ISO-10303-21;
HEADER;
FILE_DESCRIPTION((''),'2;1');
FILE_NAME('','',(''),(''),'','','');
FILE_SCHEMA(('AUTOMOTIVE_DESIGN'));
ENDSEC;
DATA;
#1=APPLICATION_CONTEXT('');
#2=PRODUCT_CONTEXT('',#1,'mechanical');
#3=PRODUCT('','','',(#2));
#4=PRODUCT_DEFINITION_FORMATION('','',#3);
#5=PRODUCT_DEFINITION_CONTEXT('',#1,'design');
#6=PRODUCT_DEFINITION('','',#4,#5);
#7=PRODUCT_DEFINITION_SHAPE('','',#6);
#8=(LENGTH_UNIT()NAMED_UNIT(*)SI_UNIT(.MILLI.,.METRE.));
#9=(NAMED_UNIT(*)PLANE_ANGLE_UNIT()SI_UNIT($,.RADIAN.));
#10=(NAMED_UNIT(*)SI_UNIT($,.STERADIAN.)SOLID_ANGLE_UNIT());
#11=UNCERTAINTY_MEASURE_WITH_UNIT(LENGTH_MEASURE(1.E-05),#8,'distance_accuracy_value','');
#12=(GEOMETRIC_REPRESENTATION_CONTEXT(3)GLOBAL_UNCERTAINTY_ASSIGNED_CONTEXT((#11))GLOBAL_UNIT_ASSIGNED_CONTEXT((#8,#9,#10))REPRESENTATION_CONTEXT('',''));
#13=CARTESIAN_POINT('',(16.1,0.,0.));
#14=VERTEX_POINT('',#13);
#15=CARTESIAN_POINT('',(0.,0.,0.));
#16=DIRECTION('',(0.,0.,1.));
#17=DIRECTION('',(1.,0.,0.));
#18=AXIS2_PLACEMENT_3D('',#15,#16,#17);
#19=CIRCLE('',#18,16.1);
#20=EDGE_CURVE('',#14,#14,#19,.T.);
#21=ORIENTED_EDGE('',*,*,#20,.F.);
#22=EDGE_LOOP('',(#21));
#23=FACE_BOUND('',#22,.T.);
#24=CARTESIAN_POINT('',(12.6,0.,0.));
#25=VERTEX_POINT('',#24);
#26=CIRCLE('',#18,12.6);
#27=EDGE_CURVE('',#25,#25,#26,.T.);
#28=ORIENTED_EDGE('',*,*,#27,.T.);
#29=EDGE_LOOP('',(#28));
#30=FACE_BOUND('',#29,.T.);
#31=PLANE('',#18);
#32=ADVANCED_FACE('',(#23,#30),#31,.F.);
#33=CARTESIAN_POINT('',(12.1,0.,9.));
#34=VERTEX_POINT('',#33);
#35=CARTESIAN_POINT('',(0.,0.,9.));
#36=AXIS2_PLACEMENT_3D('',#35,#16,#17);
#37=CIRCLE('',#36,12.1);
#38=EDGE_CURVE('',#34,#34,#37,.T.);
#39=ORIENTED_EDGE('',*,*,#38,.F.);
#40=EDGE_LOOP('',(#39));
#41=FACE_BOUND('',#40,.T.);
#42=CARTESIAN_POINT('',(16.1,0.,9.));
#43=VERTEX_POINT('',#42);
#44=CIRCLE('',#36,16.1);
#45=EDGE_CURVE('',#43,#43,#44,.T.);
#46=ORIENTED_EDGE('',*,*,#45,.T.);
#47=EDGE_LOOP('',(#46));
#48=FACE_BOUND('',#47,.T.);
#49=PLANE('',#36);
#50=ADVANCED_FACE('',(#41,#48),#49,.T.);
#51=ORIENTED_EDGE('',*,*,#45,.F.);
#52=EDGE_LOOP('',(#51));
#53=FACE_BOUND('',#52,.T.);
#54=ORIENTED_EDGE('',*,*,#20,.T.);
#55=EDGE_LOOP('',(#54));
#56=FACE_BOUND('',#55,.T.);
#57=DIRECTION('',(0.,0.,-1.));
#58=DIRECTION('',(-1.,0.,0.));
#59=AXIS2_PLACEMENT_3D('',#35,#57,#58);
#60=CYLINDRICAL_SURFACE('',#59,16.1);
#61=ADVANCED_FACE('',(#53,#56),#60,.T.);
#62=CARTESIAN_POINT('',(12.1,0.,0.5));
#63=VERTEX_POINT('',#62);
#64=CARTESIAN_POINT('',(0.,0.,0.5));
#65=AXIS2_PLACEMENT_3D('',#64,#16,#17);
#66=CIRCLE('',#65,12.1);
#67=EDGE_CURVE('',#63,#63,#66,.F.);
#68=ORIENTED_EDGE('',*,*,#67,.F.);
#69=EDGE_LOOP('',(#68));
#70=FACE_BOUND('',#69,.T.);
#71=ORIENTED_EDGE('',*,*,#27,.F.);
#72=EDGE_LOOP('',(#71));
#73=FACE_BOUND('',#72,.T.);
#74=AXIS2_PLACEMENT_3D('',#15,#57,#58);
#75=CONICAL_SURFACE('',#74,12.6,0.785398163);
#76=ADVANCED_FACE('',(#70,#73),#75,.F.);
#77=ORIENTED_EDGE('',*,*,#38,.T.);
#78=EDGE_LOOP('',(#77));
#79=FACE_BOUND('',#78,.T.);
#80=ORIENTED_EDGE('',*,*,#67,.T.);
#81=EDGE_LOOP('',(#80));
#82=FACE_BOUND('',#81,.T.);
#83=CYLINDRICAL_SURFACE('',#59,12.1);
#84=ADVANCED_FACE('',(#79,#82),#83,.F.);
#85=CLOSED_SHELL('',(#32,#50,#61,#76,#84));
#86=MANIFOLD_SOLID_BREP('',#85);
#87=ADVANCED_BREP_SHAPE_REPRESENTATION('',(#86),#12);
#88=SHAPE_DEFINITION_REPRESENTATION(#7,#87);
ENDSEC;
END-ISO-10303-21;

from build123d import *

# Parameters (mm, degrees)
SCHIZZO1_R                   = 16.1
SCHIZZO1_R_2                 = 12.1
ESTRUSIONE_ESTRUSIONE1_DEPTH = 9
SMUSSO1_SIZE                 = 0.5


with BuildPart() as part:
    # Schizzo1 → Estrusione-Estrusione1 (new body)
    with BuildSketch(Plane.XY):
        Circle(SCHIZZO1_R)
        Circle(SCHIZZO1_R_2, mode=Mode.SUBTRACT)
    extrude(amount=ESTRUSIONE_ESTRUSIONE1_DEPTH)

    # Smusso1
    smusso1_edges = [part.edges().sort_by_distance(p)[0] for p in [
        (-12.1, 0, 0),
    ]]
    chamfer(smusso1_edges, length=SMUSSO1_SIZE)


solid = part.part
